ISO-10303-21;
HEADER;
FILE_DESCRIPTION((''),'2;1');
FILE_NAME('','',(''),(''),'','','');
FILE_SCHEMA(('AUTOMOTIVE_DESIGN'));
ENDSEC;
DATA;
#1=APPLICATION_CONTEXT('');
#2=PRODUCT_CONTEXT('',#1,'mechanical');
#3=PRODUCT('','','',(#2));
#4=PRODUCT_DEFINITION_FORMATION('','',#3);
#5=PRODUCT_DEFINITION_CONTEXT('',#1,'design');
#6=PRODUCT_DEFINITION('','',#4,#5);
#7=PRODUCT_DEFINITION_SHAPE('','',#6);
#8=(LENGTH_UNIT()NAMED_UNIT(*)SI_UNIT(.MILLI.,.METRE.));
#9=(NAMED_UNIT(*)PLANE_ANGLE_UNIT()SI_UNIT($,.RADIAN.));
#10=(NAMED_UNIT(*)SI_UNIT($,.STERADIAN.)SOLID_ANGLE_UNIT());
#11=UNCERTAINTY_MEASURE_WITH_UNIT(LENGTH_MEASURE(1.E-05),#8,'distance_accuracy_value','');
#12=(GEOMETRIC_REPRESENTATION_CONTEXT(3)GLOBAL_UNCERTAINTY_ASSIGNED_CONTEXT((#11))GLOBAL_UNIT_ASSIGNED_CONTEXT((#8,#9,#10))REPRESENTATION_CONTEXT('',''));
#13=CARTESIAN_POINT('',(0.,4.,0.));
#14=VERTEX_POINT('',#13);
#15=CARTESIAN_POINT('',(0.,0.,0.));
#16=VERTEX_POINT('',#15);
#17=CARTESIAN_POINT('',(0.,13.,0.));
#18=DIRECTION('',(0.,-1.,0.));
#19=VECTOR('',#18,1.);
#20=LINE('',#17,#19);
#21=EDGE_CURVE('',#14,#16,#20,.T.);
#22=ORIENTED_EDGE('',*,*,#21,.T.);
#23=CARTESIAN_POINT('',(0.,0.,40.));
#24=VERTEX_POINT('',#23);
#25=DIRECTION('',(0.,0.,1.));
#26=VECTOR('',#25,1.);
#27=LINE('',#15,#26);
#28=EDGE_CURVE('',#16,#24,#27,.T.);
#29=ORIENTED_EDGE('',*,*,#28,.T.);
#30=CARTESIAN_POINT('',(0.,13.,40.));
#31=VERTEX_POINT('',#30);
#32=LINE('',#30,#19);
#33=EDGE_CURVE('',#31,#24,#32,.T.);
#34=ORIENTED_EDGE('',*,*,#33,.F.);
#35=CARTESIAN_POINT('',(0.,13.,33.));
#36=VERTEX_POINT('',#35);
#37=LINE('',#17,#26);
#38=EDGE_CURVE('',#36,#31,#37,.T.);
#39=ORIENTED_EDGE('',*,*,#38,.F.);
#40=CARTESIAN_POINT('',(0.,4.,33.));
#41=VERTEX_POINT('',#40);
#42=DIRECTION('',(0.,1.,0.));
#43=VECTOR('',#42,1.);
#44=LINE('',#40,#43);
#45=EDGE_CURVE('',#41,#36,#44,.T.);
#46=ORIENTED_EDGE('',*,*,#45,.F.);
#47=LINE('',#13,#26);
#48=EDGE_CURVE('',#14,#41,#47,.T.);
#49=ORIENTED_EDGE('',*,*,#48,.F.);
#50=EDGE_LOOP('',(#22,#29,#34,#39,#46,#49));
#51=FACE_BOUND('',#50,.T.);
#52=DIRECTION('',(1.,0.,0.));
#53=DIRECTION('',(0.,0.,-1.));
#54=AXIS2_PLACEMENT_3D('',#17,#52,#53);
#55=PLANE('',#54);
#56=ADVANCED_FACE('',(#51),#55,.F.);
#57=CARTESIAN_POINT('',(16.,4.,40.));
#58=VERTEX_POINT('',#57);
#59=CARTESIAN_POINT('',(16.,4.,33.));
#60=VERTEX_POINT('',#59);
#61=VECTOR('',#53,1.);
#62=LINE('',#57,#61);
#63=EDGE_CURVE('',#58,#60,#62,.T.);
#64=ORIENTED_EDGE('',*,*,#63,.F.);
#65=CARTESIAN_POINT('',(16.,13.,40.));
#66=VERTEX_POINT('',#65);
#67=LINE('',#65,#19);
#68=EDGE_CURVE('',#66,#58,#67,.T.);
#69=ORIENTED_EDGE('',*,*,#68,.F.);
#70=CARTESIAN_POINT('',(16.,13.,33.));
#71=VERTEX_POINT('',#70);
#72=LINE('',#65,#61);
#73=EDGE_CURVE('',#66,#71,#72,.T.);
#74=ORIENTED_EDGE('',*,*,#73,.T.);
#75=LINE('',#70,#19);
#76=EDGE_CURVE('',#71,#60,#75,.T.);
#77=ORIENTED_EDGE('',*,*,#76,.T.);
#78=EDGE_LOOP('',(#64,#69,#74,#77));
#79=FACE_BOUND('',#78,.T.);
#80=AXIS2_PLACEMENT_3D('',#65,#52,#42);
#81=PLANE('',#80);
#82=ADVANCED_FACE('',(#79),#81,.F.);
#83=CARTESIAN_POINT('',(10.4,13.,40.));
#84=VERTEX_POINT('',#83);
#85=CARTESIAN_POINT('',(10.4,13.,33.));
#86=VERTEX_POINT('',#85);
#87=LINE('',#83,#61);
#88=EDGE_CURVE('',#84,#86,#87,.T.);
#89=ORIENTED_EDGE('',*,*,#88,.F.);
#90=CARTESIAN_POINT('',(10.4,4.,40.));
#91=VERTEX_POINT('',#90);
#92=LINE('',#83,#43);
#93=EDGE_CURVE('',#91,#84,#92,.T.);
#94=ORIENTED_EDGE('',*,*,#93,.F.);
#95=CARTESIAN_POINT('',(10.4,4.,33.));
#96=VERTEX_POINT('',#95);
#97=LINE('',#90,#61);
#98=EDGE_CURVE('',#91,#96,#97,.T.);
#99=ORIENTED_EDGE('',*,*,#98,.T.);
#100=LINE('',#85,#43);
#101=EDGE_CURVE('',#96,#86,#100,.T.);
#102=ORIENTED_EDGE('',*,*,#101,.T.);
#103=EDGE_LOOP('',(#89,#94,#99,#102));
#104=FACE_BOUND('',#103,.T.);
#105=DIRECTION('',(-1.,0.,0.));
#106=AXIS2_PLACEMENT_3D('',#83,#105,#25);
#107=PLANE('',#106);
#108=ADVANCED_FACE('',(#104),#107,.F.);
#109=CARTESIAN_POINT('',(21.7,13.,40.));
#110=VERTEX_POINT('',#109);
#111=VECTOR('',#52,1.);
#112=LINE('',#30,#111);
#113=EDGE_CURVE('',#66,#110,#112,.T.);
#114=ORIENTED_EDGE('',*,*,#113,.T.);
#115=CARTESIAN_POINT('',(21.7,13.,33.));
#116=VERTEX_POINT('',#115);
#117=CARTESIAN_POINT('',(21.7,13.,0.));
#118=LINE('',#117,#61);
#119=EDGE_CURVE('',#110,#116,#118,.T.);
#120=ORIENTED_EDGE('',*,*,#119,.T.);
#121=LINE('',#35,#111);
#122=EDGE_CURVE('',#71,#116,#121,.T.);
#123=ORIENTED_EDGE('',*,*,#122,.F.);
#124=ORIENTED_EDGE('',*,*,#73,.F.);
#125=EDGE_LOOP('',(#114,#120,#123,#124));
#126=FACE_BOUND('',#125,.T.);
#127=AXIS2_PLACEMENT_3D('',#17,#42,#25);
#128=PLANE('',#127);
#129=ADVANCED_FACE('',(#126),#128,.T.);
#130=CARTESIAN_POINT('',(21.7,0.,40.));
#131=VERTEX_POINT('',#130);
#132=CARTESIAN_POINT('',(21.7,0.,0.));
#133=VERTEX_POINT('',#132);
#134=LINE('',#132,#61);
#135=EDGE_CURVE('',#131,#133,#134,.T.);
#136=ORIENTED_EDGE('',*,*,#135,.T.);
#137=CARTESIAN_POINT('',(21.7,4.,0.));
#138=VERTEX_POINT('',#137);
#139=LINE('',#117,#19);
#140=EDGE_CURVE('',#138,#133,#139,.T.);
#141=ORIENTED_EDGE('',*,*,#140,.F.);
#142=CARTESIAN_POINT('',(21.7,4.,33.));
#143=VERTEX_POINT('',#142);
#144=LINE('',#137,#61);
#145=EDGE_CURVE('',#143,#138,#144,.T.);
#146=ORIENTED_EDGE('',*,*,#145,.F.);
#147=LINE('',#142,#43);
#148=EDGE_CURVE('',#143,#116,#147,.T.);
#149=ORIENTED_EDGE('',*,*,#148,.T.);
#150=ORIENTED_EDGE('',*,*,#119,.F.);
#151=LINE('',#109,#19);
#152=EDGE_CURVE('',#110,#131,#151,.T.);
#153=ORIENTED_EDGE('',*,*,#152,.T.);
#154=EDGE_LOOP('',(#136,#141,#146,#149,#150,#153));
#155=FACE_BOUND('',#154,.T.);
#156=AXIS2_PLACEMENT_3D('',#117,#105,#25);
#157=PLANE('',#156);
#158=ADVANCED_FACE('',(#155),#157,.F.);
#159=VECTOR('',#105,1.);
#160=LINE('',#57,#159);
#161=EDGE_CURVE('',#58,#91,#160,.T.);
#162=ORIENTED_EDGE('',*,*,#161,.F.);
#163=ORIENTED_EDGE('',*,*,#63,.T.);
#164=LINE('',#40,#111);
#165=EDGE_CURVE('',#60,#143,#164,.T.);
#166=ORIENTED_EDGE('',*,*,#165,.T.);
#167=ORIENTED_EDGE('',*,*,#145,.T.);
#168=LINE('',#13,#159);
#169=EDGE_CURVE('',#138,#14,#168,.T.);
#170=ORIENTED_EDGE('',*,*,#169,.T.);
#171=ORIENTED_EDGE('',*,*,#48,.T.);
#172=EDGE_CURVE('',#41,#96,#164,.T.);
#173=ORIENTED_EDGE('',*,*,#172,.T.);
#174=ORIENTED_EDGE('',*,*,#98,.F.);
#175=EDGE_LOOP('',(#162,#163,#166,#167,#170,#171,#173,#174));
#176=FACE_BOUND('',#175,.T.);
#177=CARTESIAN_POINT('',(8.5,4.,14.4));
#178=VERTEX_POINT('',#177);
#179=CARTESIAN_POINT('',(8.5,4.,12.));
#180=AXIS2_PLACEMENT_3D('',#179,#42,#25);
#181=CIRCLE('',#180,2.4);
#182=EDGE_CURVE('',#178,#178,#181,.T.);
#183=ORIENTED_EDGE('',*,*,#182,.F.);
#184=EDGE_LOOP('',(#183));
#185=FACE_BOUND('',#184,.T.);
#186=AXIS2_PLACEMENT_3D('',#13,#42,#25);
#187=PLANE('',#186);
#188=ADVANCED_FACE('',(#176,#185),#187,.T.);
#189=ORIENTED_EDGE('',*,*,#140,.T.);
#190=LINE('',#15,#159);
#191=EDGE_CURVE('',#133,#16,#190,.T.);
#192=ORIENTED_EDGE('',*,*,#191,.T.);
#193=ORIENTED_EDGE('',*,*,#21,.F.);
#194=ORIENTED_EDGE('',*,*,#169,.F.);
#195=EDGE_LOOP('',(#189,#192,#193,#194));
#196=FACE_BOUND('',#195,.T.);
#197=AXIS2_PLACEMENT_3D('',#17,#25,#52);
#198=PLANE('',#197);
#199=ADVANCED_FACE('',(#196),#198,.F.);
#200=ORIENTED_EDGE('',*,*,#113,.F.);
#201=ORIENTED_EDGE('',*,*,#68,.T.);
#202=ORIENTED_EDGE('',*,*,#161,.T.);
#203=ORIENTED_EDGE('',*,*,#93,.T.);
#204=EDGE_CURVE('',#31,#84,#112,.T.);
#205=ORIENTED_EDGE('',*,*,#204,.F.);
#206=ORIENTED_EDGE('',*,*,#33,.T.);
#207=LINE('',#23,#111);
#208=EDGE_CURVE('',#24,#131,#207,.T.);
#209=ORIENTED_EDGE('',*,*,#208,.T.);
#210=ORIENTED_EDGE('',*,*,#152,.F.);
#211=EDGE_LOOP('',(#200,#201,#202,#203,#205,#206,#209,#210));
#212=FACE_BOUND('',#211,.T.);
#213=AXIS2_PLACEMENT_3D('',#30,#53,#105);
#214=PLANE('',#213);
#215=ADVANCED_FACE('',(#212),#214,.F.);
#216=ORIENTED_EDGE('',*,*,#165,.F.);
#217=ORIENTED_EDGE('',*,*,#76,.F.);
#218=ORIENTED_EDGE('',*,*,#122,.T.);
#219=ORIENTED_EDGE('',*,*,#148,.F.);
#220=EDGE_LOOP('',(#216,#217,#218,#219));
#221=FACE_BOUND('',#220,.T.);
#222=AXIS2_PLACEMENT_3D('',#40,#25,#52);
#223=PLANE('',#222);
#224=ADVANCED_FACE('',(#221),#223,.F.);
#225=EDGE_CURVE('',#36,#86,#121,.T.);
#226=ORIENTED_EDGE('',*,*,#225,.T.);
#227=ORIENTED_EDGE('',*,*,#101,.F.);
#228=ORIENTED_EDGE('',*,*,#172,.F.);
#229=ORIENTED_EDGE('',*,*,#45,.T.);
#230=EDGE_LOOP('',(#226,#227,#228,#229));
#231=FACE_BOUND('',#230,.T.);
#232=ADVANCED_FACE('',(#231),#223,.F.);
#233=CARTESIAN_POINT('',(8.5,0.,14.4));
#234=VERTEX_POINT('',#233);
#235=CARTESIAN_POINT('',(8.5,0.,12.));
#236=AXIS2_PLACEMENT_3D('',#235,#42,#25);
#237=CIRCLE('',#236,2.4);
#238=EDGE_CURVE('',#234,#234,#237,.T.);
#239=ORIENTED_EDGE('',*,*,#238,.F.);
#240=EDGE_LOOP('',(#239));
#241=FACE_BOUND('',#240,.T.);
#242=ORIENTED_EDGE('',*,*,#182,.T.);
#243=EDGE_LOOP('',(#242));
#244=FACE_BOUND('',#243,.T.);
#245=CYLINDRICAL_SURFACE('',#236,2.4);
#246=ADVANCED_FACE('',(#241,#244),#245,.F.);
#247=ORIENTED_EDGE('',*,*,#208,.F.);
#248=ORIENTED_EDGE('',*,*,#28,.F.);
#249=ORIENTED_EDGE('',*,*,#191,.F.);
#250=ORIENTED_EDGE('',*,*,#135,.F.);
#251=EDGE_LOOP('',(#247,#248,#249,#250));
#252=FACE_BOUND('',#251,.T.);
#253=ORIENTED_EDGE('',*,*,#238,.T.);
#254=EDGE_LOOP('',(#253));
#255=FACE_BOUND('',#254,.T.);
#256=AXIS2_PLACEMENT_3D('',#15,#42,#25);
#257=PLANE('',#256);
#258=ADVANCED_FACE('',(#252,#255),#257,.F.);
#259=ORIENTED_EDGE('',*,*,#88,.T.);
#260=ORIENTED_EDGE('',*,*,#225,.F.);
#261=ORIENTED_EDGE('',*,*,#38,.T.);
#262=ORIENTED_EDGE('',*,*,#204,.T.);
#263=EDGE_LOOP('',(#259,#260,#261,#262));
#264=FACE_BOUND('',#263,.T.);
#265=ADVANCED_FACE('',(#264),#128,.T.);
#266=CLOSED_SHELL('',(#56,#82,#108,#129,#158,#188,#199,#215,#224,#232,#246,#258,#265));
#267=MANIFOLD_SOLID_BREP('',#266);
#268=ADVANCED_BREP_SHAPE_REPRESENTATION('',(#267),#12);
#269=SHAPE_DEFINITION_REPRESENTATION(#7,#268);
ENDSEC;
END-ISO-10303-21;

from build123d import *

# Parameters (mm, degrees)
SKETCH1_W           = 21.7
SKETCH1_H           = 40
BOSS_EXTRUDE1_DEPTH = 13
SKETCH3_W           = 21.7
SKETCH3_H           = 33
CUT_EXTRUDE1_DEPTH  = 9
SKETCH5_W           = 5.6
SKETCH5_H           = 9
CUT_EXTRUDE2_DEPTH  = 42.57992304
SKETCH6_R           = 2.4
CUT_EXTRUDE4_DEPTH  = 47.388468395


with BuildPart() as part:
    # Sketch1 → Boss-Extrude1 (new body)
    with BuildSketch(Plane(origin=(0, 0, 0), x_dir=(1, 0, 0), z_dir=(0, 1, 0))):
        with Locations((10.85, -20)):
            Rectangle(SKETCH1_W, SKETCH1_H)
    extrude(amount=BOSS_EXTRUDE1_DEPTH)

    # Sketch3 → Cut-Extrude1 (cut)
    with BuildSketch(Plane(origin=(0, 13, 0), x_dir=(1, 0, 0), z_dir=(0, 1, 0))):
        with Locations((10.85, -16.5)):
            Rectangle(SKETCH3_W, SKETCH3_H)
    extrude(amount=-CUT_EXTRUDE1_DEPTH, mode=Mode.SUBTRACT)

    # Sketch5 → Cut-Extrude2 (cut, through all)
    with BuildSketch(Plane(origin=(0, 0, 33), x_dir=(-1, 0, 0), z_dir=(0, 0, -1))):
        with Locations((-13.2, 8.5)):
            Rectangle(SKETCH5_W, SKETCH5_H)
    extrude(amount=-CUT_EXTRUDE2_DEPTH, mode=Mode.SUBTRACT)

    # Sketch6 → Cut-Extrude4 (cut, through all)
    with BuildSketch(Plane(origin=(0, 4, 0), x_dir=(1, 0, 0), z_dir=(0, 1, 0))):
        with Locations(Location((8.5, -12, 0), (0, 0, 270))):
            Circle(SKETCH6_R)
    extrude(amount=-CUT_EXTRUDE4_DEPTH, mode=Mode.SUBTRACT)


solid = part.part
